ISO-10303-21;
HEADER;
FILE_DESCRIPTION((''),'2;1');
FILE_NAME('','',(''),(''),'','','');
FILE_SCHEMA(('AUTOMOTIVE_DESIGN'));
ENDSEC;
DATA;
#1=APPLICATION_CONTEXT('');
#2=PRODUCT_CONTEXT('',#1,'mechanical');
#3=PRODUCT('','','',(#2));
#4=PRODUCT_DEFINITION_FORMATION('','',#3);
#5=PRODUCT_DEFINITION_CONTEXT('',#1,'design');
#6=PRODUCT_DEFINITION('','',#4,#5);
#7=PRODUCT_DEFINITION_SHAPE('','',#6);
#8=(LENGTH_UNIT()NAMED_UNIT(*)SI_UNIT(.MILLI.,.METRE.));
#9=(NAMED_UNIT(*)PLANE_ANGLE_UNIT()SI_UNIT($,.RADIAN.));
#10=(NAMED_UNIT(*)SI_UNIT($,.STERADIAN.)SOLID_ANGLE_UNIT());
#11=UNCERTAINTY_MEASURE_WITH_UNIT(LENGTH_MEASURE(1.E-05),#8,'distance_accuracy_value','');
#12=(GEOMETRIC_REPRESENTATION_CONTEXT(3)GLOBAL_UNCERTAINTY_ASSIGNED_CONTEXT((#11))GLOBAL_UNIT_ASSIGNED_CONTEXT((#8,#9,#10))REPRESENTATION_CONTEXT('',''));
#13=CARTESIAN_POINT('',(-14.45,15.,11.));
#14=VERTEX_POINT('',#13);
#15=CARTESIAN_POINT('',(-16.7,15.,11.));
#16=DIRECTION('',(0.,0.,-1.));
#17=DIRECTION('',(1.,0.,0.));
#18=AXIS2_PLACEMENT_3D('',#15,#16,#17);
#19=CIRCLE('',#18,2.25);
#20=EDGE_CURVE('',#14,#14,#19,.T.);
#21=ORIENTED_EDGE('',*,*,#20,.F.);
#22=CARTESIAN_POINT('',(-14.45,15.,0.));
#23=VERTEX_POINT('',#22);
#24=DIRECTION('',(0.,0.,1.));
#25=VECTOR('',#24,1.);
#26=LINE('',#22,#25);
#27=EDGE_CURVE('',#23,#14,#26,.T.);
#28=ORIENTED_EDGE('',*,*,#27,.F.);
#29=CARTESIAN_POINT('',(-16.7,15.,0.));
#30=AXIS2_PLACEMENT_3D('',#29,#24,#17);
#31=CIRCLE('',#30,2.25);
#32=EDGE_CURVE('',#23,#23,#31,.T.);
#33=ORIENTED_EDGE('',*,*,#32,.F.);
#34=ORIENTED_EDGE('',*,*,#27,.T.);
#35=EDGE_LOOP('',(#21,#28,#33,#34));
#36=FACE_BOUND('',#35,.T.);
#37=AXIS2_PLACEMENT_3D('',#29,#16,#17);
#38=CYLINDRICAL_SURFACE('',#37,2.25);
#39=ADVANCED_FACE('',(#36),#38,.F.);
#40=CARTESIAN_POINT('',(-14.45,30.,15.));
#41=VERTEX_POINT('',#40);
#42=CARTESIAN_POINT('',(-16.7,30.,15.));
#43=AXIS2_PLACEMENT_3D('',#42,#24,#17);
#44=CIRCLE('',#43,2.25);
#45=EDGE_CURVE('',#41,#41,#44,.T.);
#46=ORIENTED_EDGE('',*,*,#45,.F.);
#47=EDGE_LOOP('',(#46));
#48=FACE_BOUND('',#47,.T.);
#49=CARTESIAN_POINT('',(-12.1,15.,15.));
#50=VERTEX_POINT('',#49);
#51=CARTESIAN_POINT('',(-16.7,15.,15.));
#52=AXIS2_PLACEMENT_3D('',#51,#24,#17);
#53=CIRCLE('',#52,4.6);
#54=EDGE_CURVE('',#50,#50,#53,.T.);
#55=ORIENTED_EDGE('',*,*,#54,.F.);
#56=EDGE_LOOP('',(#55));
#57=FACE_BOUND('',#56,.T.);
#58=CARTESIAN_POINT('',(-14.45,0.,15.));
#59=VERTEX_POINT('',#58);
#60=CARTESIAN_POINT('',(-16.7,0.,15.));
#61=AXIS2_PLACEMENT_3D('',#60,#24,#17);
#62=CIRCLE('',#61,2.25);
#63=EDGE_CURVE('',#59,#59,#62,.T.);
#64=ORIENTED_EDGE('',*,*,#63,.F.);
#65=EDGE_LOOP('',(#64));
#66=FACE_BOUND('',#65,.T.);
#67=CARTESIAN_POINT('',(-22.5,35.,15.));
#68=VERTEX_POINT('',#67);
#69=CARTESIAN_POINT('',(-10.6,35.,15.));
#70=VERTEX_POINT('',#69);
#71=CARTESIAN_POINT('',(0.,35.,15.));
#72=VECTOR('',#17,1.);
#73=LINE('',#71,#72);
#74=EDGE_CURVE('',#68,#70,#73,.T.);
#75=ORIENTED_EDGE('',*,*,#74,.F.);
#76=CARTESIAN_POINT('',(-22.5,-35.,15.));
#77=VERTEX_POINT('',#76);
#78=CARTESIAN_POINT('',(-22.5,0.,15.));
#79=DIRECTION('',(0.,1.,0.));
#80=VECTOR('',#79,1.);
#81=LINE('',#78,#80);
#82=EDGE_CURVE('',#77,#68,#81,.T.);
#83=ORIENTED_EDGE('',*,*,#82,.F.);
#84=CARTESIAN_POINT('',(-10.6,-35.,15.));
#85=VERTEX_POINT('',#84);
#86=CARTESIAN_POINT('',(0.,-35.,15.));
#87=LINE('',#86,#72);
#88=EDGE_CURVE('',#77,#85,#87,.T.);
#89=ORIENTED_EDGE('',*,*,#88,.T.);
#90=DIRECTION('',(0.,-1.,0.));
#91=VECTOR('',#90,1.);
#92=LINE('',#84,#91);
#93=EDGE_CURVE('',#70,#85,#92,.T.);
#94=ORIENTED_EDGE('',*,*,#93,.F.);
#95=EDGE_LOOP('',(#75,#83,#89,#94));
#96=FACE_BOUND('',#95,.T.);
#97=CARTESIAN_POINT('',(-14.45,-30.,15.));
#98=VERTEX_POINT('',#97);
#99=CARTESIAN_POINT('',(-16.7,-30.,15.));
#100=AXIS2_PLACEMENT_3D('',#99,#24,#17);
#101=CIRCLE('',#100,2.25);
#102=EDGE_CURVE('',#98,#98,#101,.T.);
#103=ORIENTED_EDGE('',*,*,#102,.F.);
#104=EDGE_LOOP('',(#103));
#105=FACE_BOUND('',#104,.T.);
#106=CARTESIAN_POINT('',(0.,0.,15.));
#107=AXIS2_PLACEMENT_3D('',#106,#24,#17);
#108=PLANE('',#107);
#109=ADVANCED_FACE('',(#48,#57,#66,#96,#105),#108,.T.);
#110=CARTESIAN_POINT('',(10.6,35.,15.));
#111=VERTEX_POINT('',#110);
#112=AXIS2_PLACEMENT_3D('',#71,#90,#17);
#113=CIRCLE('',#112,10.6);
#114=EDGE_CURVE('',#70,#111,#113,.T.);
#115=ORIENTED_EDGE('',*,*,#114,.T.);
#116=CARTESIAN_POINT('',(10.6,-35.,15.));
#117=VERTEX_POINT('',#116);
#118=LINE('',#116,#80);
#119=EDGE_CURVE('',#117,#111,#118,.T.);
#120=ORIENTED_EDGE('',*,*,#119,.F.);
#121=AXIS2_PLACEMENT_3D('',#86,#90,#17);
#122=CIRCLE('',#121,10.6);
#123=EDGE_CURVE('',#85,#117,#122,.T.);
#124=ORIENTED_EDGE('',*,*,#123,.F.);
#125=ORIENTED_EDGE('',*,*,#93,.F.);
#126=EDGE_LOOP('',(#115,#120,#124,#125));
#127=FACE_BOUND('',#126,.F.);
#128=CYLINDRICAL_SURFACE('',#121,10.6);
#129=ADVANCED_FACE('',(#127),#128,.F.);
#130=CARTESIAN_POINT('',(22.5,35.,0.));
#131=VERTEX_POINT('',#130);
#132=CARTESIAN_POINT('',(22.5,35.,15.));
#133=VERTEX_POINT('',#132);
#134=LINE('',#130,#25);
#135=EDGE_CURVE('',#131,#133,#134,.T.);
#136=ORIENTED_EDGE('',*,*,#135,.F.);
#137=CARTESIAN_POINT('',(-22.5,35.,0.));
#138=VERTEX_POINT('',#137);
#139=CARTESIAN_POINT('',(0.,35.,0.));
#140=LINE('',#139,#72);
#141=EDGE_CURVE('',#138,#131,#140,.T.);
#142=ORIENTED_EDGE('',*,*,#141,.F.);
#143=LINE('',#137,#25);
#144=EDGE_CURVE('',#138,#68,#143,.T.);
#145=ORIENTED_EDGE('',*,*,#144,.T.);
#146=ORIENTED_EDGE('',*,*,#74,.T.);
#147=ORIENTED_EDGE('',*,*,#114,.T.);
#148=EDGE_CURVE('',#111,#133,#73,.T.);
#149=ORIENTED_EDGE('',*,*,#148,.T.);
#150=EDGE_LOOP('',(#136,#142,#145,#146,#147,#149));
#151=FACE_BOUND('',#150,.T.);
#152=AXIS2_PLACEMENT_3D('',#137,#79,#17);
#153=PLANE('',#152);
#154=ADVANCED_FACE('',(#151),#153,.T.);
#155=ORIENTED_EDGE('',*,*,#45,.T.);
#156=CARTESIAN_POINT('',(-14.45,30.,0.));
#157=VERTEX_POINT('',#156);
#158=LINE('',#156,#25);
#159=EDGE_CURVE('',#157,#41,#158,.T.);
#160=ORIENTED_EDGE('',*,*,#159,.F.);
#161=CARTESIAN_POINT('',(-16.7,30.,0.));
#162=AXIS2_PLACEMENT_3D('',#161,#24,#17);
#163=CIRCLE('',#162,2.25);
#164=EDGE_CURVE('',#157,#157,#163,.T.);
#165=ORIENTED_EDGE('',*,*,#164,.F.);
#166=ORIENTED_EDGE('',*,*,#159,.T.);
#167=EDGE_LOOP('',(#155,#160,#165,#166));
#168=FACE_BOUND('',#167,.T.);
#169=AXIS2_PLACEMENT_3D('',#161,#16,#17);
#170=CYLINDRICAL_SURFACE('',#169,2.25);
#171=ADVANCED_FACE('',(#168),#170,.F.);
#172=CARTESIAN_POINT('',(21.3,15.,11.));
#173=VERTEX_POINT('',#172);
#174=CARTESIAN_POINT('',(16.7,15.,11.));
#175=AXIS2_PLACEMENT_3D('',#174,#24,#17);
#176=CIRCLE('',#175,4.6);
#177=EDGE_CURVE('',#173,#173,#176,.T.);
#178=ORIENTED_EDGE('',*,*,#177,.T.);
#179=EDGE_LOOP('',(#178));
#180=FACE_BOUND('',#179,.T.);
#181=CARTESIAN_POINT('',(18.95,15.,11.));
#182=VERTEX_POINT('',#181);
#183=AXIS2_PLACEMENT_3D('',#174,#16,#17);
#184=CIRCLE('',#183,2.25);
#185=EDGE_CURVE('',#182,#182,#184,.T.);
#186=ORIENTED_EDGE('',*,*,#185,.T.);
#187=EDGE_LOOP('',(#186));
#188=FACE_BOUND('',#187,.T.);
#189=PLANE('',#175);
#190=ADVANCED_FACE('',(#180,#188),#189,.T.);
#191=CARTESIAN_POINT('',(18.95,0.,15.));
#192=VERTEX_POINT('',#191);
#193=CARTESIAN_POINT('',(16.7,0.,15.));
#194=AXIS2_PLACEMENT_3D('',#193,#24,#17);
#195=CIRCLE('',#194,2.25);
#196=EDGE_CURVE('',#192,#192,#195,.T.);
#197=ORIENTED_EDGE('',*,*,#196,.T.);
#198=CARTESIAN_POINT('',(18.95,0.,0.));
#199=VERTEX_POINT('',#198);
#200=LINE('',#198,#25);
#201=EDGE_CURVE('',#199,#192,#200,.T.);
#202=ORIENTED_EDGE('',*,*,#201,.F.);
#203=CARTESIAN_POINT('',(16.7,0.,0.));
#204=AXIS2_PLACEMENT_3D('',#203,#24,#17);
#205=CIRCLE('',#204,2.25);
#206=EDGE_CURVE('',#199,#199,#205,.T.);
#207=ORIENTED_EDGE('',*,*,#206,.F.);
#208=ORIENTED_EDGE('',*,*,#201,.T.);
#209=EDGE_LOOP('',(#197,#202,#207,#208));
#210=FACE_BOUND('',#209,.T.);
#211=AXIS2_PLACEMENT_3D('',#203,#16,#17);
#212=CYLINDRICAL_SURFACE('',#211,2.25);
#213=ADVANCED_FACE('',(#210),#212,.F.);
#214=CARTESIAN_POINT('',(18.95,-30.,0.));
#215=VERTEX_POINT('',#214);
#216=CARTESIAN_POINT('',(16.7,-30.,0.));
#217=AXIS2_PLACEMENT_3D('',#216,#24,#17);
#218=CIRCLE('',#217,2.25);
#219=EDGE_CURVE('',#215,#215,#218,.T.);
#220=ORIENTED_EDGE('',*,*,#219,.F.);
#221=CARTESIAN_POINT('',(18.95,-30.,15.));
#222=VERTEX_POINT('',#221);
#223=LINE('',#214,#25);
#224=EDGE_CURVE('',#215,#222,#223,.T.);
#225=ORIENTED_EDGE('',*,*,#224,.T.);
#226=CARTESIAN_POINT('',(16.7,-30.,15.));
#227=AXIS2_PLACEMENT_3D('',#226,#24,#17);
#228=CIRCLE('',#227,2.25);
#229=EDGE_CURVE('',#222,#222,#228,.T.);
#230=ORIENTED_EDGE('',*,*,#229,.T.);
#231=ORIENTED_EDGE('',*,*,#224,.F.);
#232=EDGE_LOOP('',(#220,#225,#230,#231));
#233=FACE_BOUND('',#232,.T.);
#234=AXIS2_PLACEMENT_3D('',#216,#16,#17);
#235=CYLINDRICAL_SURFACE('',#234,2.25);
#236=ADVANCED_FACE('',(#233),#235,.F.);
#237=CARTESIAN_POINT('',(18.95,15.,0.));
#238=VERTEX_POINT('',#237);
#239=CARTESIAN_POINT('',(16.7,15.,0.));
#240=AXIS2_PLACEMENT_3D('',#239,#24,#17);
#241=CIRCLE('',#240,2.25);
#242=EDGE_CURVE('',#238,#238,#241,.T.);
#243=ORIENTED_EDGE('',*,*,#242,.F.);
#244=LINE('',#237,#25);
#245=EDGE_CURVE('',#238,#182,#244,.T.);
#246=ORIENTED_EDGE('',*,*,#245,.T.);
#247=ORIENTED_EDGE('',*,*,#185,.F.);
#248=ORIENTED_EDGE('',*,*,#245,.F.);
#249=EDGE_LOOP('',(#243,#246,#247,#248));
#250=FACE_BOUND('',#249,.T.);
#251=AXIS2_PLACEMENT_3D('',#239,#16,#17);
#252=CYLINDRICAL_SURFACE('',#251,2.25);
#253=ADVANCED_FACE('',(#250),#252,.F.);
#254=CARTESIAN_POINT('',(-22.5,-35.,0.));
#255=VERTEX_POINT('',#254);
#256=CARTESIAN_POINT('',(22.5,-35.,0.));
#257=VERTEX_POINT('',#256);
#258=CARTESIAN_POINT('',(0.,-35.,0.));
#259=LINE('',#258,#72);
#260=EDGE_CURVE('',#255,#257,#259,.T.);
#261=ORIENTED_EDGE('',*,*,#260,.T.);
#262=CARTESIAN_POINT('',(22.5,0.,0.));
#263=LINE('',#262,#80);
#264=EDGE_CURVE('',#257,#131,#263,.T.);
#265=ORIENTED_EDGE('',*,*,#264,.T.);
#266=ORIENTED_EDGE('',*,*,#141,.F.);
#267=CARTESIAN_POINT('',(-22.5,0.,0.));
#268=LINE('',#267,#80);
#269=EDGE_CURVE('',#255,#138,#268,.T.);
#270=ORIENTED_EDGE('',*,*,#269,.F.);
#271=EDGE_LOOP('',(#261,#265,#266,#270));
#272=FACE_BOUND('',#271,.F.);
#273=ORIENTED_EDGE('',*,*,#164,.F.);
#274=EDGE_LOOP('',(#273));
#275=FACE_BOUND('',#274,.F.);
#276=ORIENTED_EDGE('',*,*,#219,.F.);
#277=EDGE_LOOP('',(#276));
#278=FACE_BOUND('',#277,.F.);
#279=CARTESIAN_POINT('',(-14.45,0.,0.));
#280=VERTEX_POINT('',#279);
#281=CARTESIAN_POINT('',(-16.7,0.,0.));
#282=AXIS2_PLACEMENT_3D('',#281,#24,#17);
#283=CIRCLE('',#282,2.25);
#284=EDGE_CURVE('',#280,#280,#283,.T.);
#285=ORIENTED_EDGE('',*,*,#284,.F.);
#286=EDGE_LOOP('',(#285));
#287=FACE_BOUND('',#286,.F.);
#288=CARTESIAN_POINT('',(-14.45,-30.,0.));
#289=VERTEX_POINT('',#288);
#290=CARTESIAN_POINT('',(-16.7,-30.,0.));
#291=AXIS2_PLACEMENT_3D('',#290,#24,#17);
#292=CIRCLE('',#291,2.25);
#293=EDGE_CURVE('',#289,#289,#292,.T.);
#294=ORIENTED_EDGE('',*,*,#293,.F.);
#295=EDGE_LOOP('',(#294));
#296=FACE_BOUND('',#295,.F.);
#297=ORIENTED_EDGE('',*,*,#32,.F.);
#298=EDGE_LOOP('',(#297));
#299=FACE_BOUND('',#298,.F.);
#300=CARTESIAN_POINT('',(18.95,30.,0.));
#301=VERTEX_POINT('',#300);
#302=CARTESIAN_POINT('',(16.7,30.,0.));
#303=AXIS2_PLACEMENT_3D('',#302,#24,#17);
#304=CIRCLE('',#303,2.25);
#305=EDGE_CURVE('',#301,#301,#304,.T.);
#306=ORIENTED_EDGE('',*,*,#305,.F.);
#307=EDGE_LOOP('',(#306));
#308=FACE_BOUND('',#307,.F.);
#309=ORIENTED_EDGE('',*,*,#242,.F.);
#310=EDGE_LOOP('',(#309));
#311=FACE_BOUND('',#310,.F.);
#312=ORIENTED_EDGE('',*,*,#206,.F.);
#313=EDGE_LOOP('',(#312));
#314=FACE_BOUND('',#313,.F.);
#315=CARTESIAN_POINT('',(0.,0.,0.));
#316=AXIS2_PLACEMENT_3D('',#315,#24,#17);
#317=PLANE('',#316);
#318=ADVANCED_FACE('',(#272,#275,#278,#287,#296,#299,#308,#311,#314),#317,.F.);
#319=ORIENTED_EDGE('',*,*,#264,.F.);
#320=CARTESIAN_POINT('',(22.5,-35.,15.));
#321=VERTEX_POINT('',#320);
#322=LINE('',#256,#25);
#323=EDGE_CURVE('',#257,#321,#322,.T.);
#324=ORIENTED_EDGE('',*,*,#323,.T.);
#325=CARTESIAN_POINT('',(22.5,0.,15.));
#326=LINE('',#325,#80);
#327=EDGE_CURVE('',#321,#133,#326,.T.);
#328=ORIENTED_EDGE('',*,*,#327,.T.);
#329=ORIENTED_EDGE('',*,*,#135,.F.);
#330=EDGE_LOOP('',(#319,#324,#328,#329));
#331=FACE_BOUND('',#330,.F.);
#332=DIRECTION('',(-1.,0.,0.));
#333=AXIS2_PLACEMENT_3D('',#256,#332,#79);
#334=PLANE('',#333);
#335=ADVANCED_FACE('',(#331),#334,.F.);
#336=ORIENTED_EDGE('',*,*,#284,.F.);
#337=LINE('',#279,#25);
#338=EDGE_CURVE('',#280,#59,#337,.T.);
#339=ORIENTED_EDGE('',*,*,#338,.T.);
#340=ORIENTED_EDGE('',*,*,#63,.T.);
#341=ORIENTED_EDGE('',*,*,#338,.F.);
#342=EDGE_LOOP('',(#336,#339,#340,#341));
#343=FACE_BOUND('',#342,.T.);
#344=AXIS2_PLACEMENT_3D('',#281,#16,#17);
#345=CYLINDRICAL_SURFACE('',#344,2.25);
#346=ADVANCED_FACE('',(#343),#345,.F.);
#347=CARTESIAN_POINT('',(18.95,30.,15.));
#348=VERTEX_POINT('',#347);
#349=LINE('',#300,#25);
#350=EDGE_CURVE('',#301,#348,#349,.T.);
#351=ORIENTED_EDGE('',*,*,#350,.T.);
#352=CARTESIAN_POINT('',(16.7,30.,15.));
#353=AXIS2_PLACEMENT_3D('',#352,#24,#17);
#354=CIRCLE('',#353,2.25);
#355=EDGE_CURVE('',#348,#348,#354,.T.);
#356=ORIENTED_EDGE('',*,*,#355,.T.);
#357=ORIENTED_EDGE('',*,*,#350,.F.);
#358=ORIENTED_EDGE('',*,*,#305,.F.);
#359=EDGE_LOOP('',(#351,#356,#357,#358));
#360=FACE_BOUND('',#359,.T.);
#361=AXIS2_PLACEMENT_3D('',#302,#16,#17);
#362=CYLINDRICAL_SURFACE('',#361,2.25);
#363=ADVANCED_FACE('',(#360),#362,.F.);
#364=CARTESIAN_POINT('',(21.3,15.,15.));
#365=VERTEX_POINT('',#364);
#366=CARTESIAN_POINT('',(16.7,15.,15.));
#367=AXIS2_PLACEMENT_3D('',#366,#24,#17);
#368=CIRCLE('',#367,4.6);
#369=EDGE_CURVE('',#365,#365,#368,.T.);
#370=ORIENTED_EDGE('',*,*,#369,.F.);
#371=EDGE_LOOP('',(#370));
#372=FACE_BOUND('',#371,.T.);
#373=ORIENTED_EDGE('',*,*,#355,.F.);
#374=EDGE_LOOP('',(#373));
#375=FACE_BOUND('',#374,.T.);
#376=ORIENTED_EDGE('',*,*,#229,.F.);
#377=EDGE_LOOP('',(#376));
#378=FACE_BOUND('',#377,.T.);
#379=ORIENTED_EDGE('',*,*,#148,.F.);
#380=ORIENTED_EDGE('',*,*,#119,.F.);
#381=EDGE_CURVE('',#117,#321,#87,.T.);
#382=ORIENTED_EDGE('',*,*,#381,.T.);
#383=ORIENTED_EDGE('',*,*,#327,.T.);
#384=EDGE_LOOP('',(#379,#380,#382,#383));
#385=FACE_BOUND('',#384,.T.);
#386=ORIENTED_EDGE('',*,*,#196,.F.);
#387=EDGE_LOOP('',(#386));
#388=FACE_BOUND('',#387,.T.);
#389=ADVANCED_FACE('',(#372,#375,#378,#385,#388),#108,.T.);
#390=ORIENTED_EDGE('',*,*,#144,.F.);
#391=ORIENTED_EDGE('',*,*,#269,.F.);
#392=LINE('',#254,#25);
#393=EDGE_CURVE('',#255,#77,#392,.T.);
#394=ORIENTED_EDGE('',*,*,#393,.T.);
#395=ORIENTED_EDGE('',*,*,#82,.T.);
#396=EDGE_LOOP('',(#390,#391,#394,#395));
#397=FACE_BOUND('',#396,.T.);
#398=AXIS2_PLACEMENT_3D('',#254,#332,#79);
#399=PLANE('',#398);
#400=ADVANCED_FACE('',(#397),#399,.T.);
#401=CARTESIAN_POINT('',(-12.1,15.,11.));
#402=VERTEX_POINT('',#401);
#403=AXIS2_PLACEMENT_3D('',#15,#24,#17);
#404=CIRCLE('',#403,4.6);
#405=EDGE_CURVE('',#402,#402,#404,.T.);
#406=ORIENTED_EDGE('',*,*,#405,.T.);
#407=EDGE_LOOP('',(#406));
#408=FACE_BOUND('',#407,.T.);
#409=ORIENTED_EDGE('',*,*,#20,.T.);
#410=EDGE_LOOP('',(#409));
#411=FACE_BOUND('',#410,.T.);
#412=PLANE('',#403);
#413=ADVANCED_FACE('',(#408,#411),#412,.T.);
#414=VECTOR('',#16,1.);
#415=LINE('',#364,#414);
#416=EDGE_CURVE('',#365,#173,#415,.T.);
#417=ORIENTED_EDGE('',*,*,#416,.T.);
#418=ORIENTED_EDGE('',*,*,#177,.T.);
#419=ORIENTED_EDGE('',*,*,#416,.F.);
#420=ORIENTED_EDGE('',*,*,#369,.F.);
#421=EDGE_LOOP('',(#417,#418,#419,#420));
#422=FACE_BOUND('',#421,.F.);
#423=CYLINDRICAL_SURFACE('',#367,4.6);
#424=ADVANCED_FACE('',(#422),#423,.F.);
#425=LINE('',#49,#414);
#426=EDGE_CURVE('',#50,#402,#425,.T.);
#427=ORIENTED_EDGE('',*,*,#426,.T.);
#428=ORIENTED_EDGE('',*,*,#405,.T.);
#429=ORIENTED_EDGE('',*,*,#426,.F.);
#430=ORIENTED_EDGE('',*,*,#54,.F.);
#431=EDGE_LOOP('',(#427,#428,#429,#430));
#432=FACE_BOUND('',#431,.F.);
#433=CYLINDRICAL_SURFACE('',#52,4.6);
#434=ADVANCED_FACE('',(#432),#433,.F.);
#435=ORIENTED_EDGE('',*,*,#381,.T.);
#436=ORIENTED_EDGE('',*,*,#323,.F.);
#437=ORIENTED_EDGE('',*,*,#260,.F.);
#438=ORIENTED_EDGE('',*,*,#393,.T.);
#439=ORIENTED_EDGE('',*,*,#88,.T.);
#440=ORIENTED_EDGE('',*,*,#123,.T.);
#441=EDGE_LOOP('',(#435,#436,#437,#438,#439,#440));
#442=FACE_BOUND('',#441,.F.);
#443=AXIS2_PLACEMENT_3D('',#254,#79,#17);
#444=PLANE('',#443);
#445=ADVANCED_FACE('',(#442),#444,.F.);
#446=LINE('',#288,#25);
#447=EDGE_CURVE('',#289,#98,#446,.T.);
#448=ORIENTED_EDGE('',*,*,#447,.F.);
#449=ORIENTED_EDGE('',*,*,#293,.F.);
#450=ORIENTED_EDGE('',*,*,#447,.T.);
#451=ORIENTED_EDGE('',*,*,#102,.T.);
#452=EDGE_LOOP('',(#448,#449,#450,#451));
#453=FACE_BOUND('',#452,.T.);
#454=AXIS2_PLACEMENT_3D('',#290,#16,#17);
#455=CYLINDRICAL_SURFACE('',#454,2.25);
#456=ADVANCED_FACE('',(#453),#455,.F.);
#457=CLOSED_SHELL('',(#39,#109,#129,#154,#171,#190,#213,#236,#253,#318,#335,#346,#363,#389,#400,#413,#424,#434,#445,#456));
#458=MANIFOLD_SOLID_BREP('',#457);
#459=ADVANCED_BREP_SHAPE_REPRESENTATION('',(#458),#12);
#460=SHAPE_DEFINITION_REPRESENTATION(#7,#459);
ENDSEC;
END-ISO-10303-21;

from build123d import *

# Parameters (mm, degrees)
SKETCH_W        = 45
SKETCH_H        = 70
SKETCH_R        = 2.25
PAD_DEPTH       = 15
SKETCH001_R     = 10.6
POCKET_DEPTH    = 70.001
SKETCH002_R     = 4.6
POCKET001_DEPTH = 4


with BuildPart() as part:
    # Sketch → Pad (new body)
    with BuildSketch(Plane.XY):
        Rectangle(SKETCH_W, SKETCH_H)
        with Locations((-16.7, 30)):
            Circle(SKETCH_R, mode=Mode.SUBTRACT)
        with Locations((16.7, 30)):
            Circle(SKETCH_R, mode=Mode.SUBTRACT)
        with Locations((-16.7, -30)):
            Circle(SKETCH_R, mode=Mode.SUBTRACT)
        with Locations((16.7, -30)):
            Circle(SKETCH_R, mode=Mode.SUBTRACT)
        with Locations((-16.7, 0)):
            Circle(SKETCH_R, mode=Mode.SUBTRACT)
        with Locations((16.7, 0)):
            Circle(SKETCH_R, mode=Mode.SUBTRACT)
        with Locations((16.7, 15)):
            Circle(SKETCH_R, mode=Mode.SUBTRACT)
        with Locations((-16.7, 15)):
            Circle(SKETCH_R, mode=Mode.SUBTRACT)
    extrude(amount=PAD_DEPTH)

    # Sketch001 → Pocket (cut, through all)
    with BuildSketch(Plane.XZ.offset(35)):
        with Locations((0, 15)):
            Circle(SKETCH001_R)
    extrude(amount=-POCKET_DEPTH, mode=Mode.SUBTRACT)

    # Sketch002 → Pocket001 (cut)
    with BuildSketch(Plane.XY.offset(15)):
        with Locations((-16.7, 15)):
            Circle(SKETCH002_R)
        with Locations((16.7, 15)):
            Circle(SKETCH002_R)
    extrude(amount=-POCKET001_DEPTH, mode=Mode.SUBTRACT)


solid = part.part
